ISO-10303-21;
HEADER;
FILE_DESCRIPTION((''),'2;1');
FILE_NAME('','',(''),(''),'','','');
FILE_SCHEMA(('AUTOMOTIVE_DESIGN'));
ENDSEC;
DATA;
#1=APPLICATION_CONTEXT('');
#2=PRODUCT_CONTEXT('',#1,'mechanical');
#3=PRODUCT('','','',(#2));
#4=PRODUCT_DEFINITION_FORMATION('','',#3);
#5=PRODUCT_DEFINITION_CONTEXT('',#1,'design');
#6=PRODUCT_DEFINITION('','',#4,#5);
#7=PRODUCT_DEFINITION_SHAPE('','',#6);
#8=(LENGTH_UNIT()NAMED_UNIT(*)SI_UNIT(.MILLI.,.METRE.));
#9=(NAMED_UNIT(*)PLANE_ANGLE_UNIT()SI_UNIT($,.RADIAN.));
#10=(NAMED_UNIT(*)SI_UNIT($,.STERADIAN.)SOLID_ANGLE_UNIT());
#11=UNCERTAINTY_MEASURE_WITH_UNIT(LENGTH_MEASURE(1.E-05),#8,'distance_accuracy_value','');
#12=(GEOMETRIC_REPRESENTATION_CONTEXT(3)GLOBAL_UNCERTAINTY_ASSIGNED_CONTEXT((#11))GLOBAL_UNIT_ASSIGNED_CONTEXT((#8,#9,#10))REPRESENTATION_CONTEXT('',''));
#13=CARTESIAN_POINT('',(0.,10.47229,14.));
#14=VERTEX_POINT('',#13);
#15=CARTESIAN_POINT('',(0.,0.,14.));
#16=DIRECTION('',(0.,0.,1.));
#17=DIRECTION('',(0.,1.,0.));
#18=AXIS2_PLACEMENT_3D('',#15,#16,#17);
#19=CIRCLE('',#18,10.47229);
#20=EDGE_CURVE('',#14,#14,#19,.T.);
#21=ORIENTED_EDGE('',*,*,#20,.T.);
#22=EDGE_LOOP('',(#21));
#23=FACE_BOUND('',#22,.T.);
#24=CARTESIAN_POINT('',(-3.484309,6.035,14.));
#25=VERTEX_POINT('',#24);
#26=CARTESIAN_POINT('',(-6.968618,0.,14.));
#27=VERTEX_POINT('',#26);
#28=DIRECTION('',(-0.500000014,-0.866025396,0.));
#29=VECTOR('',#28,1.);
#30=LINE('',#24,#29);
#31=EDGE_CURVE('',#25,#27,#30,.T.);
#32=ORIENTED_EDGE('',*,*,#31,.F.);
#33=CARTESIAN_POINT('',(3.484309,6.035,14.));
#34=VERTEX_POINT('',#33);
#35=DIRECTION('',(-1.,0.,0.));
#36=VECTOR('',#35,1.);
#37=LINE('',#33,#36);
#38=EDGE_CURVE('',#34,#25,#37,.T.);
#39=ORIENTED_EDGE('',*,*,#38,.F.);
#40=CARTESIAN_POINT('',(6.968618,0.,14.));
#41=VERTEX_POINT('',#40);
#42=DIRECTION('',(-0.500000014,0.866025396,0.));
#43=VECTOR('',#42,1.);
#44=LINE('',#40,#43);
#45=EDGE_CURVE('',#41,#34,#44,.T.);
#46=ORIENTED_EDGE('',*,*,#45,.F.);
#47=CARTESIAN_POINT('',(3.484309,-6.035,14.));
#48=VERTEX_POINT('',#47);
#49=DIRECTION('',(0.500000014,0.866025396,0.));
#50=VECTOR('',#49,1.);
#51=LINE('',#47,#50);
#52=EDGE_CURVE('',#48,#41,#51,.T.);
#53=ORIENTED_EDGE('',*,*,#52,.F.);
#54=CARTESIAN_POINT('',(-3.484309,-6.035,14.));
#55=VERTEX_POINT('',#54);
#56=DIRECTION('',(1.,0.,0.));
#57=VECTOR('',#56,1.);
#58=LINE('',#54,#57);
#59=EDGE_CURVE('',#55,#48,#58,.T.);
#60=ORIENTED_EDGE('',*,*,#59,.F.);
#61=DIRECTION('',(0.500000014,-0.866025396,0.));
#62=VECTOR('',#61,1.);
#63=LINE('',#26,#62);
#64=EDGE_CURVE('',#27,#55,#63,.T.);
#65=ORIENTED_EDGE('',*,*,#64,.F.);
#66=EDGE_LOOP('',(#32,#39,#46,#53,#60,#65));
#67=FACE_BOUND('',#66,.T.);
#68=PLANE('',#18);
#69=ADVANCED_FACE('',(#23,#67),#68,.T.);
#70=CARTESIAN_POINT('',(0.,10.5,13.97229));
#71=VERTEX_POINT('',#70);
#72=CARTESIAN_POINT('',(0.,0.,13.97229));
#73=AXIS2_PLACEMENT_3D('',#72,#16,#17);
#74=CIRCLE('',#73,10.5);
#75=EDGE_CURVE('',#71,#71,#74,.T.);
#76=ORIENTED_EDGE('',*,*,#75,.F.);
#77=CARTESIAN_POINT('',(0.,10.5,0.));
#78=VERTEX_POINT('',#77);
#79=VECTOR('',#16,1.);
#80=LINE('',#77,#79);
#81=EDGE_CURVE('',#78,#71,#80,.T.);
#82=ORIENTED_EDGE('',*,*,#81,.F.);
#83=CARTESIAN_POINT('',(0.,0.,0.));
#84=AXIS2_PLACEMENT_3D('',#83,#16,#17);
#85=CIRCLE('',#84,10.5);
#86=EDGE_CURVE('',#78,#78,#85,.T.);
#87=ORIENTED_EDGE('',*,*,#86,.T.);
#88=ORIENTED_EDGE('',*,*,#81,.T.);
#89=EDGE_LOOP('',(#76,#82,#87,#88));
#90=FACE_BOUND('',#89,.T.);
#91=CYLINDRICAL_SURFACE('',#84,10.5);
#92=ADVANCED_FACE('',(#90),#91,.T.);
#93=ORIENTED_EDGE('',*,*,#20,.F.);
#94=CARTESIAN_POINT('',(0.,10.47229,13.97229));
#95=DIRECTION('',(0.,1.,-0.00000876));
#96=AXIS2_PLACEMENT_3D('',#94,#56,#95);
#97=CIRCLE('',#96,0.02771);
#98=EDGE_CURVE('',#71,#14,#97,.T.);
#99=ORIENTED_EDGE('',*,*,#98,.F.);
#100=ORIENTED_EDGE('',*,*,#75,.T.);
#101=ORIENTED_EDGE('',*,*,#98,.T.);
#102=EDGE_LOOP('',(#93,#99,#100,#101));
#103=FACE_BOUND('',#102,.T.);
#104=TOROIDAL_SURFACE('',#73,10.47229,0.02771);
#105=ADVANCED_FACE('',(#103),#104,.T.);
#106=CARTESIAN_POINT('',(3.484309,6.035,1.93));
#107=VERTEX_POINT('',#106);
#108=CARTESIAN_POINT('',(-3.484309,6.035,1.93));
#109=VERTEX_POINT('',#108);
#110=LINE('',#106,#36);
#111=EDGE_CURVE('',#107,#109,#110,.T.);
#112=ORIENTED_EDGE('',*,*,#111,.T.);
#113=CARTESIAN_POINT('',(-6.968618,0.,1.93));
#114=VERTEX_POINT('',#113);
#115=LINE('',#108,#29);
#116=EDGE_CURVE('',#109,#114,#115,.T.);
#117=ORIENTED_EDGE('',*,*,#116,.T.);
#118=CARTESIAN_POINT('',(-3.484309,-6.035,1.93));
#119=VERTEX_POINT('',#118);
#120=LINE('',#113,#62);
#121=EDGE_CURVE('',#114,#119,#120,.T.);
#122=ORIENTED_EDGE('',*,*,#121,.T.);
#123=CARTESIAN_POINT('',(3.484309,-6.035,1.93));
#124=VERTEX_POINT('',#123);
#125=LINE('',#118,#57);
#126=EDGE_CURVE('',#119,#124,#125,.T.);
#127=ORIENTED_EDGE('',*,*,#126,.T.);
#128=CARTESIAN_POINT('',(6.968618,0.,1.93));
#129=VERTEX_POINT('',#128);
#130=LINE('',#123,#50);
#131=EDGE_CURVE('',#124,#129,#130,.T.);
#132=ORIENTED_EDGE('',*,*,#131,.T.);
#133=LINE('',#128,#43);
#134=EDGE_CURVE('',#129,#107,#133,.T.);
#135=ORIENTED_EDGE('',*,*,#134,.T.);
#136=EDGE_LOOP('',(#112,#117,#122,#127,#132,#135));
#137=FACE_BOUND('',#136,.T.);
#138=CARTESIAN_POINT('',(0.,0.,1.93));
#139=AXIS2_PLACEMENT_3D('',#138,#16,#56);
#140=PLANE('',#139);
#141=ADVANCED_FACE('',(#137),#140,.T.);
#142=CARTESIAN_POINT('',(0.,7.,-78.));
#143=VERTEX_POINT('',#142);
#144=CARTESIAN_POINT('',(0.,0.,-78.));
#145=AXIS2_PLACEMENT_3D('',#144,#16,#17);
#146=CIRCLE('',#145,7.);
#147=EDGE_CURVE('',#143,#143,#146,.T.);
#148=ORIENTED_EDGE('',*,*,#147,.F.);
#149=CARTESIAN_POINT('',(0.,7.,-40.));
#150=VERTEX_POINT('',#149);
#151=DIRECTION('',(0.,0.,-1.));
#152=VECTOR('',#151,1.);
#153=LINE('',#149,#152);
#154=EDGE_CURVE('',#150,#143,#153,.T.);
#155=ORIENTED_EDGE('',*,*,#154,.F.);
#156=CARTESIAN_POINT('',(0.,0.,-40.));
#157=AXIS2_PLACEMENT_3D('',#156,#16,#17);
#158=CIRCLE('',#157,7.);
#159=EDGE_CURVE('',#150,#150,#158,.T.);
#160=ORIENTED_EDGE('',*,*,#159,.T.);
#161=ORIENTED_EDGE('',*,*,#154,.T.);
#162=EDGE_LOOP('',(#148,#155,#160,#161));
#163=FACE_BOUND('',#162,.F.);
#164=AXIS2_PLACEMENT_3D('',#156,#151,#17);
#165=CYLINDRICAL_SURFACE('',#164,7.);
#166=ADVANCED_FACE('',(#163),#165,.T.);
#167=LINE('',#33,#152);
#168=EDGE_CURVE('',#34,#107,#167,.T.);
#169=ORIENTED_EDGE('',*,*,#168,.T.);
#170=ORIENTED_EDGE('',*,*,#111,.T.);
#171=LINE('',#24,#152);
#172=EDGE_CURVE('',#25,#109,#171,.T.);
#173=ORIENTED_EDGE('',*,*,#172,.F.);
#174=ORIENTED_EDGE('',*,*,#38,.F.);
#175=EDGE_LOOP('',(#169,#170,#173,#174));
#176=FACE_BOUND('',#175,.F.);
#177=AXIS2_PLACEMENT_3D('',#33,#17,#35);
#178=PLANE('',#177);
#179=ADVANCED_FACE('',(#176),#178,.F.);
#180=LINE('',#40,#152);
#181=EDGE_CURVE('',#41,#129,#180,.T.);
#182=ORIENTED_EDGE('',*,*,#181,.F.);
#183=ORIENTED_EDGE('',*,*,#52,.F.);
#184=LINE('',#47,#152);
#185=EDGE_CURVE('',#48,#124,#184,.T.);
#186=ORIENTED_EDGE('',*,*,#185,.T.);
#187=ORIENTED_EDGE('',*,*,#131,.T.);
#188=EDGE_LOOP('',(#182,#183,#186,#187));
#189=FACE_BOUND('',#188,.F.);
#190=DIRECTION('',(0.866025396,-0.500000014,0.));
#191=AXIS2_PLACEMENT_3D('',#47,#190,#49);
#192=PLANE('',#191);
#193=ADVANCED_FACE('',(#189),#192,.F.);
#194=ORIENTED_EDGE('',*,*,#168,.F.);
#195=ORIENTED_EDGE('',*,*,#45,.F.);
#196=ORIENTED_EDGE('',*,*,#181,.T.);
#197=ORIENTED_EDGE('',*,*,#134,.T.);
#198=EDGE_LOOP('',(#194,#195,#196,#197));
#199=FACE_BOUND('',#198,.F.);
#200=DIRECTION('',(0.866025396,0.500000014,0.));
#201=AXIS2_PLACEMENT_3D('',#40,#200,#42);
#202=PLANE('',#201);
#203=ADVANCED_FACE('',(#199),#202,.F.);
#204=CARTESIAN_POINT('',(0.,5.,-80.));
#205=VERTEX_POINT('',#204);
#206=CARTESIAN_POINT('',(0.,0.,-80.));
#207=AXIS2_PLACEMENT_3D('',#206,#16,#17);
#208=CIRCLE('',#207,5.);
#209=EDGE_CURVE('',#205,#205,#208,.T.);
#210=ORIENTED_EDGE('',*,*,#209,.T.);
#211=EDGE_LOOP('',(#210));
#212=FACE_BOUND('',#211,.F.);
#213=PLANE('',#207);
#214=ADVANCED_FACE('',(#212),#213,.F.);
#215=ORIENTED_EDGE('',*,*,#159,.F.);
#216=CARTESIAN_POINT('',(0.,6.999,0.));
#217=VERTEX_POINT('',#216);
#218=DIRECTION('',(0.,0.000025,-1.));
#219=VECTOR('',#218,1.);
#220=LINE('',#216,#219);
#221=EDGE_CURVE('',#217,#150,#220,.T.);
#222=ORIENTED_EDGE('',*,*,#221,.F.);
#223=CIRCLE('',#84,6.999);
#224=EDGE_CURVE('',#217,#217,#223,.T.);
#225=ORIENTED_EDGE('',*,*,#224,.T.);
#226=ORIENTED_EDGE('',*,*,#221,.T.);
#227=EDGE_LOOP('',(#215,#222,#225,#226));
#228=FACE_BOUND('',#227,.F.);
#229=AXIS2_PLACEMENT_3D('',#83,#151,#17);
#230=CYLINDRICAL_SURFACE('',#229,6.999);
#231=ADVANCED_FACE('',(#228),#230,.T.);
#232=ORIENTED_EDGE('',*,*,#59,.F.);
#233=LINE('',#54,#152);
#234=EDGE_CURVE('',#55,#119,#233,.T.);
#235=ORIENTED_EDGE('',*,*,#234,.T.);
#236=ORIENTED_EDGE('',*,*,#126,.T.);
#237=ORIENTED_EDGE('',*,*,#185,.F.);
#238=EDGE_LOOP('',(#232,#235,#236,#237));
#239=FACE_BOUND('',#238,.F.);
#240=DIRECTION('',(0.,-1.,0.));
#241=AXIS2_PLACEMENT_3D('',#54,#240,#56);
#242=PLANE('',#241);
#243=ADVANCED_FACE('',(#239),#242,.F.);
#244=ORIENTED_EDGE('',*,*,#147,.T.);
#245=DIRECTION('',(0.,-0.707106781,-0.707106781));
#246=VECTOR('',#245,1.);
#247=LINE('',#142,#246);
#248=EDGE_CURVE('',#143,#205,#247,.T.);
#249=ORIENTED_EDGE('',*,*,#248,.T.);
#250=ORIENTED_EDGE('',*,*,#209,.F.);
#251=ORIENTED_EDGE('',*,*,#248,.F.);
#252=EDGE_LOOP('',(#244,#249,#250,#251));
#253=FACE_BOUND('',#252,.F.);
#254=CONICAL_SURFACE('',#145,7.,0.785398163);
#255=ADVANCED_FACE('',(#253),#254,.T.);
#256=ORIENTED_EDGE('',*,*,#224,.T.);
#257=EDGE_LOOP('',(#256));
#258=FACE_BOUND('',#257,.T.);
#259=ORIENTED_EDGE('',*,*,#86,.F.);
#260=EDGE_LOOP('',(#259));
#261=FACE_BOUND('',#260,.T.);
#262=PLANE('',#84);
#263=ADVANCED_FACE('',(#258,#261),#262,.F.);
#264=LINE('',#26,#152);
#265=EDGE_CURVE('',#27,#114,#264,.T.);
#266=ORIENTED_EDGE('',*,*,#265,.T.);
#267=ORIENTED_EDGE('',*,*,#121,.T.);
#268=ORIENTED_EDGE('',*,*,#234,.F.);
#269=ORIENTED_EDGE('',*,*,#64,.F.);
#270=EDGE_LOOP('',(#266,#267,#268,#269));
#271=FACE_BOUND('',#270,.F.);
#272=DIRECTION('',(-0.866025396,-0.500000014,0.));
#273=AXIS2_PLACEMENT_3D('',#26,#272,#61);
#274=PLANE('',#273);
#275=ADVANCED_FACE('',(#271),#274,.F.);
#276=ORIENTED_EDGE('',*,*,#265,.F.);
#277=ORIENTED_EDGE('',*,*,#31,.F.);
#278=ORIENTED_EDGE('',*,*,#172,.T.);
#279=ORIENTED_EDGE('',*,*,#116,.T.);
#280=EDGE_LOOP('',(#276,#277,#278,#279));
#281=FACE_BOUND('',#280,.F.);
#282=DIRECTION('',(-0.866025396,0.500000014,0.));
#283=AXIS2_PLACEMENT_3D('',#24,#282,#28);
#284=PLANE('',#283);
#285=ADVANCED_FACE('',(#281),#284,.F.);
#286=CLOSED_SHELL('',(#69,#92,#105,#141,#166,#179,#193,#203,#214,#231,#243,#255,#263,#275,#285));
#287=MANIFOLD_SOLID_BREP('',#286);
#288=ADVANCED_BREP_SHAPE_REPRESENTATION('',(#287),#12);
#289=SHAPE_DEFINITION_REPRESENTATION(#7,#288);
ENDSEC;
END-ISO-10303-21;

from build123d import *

# Parameters (mm, degrees)
POCKET_DEPTH = 12.07


with BuildPart() as part:
    # Sketch → Revolve (revolve)
    with BuildSketch(Plane.YZ):
        with BuildLine():
            Line((6.999, 0), (10.5, 0))
            Line((10.5, 0), (10.5, 13.97229))
            ThreePointArc((10.5, 13.97229), (10.491884, 13.991884), (10.47229, 14))
            Line((10.47229, 14), (0, 14))
            Line((0, -80), (0, 14))
            Line((5, -80), (0, -80))
            Line((7, -78), (5, -80))
            Line((7, -40), (7, -78))
            Line((6.999, 0), (7, -40))
        make_face()
    revolve(axis=Axis((0, 0, 0), (0, 0, 1)))

    # Sketch001 → Pocket (cut)
    with BuildSketch(Plane.XY.offset(14)):
        Polygon((6.968618, 0), (3.484309, 6.035), (-3.484309, 6.035), (-6.968618, 0), (-3.484309, -6.035), (3.484309, -6.035), align=None)
    extrude(amount=-POCKET_DEPTH, mode=Mode.SUBTRACT)


solid = part.part
